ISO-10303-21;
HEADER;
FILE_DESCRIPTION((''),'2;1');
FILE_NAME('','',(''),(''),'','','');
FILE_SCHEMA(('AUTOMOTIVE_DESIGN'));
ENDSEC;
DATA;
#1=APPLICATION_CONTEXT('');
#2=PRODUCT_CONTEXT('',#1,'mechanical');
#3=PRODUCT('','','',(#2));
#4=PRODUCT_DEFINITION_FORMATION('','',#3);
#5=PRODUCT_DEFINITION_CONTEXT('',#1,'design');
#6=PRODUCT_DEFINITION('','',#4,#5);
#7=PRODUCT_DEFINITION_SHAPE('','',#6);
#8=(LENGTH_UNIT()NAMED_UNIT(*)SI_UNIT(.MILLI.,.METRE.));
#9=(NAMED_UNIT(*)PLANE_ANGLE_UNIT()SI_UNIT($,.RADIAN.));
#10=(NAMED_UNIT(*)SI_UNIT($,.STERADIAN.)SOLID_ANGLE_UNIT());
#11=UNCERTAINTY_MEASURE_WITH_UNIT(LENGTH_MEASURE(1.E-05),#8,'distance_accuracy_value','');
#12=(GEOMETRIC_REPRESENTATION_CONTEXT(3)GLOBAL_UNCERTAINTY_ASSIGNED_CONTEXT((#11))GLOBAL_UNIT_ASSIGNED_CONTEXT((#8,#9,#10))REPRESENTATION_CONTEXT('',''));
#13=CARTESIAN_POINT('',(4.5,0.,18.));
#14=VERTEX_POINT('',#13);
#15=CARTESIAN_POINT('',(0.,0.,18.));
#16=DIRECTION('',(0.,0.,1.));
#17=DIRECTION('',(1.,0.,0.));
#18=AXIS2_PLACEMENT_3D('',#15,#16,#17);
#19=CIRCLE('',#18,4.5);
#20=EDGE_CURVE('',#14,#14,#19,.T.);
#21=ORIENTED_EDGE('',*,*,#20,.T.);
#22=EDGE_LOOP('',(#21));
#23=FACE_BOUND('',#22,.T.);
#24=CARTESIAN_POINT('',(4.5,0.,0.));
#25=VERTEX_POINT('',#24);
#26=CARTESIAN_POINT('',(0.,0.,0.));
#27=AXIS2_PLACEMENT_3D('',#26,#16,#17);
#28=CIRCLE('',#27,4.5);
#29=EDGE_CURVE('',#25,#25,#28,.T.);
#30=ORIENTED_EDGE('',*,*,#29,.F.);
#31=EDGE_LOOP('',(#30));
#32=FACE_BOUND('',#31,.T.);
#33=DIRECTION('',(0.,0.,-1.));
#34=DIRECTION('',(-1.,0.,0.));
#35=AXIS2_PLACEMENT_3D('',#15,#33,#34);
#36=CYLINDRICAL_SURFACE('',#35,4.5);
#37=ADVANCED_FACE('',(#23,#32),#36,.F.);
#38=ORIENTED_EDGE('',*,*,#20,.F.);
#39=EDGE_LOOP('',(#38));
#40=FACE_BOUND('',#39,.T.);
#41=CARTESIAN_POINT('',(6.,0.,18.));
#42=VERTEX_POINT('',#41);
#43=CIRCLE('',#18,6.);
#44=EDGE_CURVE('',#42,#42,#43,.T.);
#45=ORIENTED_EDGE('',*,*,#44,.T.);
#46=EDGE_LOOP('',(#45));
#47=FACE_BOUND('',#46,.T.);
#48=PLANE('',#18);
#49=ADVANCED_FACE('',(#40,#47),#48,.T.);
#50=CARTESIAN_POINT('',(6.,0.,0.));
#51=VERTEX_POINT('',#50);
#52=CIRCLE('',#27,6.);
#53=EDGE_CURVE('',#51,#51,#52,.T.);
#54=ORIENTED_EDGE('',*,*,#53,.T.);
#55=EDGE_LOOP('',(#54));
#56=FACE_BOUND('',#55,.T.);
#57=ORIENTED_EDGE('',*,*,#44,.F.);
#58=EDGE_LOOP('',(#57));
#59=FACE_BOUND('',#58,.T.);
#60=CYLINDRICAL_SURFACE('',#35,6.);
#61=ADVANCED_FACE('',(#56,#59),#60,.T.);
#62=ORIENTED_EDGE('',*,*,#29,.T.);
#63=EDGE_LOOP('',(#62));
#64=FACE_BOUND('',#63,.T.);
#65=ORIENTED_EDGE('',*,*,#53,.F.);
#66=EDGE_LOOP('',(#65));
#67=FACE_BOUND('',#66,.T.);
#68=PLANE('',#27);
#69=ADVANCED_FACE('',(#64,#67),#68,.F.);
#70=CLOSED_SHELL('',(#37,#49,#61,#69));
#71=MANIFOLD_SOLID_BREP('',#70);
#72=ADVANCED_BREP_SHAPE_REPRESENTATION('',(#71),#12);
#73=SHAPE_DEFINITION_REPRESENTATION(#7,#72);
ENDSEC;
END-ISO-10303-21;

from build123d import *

# Parameters (mm, degrees)
ESQUISSE1_R          = 6
ESQUISSE1_R_2        = 4.5
BASE_EXTRUSION_DEPTH = 18


with BuildPart() as part:
    # Esquisse1 → Base-Extrusion (new body)
    with BuildSketch(Plane.XY):
        Circle(ESQUISSE1_R)
        Circle(ESQUISSE1_R_2, mode=Mode.SUBTRACT)
    extrude(amount=BASE_EXTRUSION_DEPTH)


solid = part.part
